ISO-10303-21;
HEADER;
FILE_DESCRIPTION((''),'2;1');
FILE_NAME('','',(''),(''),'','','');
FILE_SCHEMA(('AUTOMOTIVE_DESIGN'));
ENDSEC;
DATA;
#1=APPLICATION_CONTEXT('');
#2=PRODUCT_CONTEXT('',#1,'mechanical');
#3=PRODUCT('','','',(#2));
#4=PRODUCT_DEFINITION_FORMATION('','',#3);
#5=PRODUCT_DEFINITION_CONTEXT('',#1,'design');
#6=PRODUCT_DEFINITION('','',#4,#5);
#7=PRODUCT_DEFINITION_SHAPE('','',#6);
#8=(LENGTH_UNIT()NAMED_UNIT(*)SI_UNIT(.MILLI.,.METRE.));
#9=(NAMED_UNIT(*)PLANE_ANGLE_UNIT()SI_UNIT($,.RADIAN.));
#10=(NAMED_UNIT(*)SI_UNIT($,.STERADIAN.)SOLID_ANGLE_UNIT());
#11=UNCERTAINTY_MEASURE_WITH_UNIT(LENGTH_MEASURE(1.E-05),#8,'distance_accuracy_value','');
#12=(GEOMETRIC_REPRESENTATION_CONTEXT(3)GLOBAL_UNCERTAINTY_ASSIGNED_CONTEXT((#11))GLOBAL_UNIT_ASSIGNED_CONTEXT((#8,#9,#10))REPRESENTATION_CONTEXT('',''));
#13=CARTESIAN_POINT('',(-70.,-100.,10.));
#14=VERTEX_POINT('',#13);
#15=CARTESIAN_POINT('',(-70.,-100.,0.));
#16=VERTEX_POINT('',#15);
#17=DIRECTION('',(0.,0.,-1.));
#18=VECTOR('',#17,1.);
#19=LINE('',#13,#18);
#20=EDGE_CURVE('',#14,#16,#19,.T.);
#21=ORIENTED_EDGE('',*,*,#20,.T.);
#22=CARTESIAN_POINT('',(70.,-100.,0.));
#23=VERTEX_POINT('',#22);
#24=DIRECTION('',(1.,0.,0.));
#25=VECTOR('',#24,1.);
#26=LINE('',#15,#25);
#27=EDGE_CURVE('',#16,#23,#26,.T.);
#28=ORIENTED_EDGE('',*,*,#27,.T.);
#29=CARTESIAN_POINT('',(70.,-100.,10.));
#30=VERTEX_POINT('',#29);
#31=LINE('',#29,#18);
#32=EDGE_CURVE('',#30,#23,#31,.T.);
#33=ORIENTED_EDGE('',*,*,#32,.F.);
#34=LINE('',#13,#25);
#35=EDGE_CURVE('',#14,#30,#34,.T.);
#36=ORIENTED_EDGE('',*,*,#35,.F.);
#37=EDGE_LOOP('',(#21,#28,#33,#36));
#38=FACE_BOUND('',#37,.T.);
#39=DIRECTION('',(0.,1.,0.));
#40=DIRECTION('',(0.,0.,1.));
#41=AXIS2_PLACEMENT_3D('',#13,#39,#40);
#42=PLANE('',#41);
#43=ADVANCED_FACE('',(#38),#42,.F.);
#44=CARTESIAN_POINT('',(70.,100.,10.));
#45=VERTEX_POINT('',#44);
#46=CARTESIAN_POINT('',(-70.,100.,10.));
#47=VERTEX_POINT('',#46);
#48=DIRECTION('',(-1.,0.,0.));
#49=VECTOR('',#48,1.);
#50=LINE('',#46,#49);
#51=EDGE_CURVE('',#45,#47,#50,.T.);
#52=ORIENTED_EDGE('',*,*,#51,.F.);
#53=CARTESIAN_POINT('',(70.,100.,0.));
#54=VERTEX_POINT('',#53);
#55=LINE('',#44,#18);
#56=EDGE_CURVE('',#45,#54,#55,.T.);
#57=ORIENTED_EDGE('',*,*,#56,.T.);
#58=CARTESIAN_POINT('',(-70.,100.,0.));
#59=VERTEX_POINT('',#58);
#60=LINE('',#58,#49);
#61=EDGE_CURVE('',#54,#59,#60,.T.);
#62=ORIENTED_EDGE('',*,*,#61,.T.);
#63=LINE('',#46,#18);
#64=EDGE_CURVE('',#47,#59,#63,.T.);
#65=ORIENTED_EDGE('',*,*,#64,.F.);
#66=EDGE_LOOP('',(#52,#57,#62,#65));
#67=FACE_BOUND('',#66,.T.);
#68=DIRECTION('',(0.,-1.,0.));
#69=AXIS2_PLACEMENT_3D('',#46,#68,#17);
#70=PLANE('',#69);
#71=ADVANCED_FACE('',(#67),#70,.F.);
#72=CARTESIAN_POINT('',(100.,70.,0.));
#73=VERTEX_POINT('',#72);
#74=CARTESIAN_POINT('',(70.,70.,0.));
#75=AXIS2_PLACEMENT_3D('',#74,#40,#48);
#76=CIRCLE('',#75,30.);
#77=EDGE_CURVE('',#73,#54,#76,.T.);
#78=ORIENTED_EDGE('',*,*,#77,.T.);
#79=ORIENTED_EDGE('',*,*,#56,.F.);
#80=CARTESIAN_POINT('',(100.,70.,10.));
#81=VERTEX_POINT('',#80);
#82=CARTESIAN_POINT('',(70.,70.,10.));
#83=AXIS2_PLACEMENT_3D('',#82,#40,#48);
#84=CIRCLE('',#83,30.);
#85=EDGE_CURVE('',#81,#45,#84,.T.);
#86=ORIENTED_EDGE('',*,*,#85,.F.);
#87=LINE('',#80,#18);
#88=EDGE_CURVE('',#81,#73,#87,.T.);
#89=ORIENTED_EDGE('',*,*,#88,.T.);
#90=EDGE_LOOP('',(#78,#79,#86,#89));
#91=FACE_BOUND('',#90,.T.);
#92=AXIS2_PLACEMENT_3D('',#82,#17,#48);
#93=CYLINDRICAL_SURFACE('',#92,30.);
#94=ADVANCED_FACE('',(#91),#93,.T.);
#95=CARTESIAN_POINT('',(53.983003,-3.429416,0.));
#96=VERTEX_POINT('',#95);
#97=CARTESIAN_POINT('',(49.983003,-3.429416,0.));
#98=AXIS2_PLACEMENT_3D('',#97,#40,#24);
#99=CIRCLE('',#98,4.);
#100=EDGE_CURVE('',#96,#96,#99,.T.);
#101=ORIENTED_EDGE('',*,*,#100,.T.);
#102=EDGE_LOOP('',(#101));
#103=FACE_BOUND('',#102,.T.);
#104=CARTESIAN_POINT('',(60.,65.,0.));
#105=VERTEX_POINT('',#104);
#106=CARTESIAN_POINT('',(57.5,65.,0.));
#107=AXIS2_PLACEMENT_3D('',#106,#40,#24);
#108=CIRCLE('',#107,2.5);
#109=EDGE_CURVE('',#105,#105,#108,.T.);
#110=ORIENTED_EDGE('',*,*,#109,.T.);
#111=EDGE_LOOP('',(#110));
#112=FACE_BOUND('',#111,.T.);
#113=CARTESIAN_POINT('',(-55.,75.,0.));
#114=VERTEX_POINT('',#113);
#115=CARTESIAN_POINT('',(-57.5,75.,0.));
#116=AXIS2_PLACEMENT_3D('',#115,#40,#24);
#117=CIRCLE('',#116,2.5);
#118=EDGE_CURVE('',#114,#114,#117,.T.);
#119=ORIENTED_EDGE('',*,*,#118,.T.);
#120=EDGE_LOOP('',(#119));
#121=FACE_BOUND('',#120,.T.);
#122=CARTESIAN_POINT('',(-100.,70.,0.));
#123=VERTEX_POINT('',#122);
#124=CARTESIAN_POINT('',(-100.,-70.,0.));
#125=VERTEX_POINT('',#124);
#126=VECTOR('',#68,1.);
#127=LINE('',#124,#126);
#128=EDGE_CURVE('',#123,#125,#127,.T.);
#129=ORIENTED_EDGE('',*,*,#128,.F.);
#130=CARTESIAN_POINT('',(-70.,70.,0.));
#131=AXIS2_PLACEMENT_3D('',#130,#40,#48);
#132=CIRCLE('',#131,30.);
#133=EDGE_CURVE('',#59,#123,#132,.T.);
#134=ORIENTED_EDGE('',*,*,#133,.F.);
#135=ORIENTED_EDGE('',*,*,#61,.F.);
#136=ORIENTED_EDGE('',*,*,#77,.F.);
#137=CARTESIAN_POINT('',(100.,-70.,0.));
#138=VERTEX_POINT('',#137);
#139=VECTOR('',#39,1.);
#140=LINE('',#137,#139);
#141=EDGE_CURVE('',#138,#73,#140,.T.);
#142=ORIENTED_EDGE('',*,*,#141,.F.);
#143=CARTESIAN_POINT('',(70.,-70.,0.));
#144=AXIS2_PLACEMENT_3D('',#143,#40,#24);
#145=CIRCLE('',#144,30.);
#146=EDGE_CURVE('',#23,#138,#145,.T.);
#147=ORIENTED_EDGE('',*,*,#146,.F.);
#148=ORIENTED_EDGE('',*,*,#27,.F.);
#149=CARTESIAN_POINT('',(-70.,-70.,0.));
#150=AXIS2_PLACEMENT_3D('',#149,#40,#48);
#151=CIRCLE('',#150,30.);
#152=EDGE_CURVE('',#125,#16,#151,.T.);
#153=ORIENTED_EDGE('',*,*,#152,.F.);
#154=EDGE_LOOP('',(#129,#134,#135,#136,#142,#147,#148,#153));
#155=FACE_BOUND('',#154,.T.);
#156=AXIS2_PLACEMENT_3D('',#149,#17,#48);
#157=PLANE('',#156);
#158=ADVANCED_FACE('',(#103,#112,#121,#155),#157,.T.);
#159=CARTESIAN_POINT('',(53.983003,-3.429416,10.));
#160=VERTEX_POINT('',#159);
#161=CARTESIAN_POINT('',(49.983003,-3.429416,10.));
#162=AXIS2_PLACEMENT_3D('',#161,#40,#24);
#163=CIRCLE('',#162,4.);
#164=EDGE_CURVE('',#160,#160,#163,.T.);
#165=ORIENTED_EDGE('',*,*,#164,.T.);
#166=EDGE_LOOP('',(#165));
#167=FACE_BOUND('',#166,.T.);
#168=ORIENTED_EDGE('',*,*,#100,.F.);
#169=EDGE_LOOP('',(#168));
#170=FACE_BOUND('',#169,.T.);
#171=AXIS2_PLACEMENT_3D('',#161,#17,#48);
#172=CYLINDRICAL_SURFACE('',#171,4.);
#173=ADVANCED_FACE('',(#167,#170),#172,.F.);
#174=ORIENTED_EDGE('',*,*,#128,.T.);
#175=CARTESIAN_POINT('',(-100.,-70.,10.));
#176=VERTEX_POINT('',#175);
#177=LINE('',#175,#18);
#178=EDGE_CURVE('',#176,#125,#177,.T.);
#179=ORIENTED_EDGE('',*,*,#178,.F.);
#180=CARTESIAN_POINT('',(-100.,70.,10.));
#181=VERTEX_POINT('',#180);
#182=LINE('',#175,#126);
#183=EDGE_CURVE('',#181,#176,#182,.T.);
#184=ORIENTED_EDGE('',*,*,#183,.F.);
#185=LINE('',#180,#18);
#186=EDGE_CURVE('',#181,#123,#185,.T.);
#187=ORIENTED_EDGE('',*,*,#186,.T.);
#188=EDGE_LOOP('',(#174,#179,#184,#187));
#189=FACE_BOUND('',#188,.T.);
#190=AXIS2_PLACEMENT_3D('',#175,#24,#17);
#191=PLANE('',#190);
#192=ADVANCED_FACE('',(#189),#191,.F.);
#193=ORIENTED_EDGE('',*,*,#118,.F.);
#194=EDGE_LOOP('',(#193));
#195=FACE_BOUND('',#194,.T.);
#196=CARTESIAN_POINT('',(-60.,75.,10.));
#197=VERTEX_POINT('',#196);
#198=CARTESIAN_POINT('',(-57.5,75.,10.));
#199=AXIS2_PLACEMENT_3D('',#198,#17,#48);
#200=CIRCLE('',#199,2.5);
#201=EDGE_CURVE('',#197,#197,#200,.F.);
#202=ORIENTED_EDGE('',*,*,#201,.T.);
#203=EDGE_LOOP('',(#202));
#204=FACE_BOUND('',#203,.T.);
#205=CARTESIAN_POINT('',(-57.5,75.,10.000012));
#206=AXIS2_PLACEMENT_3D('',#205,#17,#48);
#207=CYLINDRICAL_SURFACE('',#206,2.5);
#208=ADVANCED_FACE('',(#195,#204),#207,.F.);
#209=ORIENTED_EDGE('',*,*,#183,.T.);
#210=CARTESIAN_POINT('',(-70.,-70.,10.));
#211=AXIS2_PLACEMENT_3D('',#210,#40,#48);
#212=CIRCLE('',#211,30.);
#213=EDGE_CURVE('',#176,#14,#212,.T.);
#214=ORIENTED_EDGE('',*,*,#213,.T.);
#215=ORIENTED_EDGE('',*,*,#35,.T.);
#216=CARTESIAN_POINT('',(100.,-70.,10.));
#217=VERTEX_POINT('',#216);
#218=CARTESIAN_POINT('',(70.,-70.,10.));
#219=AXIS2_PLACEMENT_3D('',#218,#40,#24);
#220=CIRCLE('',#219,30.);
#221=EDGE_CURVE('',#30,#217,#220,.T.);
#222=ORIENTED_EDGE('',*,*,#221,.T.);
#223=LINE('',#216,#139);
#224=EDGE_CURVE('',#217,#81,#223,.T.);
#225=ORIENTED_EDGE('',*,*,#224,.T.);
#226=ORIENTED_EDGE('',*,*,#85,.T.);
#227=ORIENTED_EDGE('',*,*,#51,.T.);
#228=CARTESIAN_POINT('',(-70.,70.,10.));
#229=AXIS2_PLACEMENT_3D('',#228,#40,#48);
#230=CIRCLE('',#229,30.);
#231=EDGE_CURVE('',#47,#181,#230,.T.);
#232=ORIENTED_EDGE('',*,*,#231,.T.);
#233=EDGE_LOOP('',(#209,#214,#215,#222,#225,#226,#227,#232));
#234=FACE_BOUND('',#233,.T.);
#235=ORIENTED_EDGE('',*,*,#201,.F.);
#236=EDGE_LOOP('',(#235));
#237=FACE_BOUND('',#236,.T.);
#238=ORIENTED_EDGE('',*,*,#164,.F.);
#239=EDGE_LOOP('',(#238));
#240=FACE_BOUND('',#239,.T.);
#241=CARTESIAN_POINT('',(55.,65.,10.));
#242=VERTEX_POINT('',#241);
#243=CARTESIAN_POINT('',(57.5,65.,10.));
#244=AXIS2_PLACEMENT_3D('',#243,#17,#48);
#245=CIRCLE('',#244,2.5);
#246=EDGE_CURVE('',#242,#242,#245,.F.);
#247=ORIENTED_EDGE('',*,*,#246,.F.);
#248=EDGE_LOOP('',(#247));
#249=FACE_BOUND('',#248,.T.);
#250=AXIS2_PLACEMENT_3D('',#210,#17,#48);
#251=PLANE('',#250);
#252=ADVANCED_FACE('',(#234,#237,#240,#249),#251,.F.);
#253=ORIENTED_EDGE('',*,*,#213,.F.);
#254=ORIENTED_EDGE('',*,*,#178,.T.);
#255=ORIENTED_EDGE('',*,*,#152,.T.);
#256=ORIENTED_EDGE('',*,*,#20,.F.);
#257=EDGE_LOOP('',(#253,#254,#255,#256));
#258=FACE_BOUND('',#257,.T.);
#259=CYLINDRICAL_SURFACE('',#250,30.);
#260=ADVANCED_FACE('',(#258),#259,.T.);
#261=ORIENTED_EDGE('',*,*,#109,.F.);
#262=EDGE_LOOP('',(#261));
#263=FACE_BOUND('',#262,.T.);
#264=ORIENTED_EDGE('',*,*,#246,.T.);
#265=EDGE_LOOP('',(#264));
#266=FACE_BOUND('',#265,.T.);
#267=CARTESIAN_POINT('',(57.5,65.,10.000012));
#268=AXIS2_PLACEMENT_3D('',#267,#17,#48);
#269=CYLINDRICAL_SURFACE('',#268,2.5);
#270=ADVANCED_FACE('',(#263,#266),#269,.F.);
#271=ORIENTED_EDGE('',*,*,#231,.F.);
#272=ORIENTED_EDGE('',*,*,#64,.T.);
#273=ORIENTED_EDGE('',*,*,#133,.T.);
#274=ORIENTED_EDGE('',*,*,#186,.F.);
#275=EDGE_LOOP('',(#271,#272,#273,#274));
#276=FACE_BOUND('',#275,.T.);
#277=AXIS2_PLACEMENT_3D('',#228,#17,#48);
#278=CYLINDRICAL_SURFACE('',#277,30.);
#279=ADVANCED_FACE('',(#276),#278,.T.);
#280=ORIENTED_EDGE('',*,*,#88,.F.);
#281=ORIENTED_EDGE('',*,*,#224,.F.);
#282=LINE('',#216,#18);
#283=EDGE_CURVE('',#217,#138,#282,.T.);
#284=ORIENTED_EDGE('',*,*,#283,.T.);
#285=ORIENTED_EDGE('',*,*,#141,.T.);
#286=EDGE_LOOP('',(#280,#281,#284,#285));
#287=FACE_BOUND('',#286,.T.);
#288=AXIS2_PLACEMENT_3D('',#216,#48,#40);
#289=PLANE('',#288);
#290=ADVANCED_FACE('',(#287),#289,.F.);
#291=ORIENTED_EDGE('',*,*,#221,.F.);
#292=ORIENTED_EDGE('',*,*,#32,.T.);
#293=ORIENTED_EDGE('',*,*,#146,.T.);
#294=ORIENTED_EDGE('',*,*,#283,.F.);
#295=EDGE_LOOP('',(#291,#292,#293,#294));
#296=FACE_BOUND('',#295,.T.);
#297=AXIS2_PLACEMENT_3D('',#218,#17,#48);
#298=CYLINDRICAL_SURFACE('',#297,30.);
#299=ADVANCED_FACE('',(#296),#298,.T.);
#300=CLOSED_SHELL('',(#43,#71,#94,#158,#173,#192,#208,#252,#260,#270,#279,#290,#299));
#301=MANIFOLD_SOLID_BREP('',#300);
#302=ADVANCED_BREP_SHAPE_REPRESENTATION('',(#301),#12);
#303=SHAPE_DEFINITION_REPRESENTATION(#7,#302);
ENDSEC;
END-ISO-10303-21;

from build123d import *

# Parameters (mm, degrees)
SKETCH1_R               = 4
BOSS_EXTRUDE1_DEPTH     = 10
SKETCH2_R               = 2.5
CUT_EXTRUDE1_DEPTH      = 1
CUT_EXTRUDE1_DEPTH_BACK = 10


with BuildPart() as part:
    # Sketch1 → Boss-Extrude1 (new body)
    with BuildSketch(Plane.XY):
        with BuildLine():
            Line((-70, -100), (70, -100))
            ThreePointArc((70, -100), (91.213203436, -91.213203436), (100, -70))
            Line((100, -70), (100, 70))
            ThreePointArc((100, 70), (91.213203436, 91.213203436), (70, 100))
            Line((70, 100), (-70, 100))
            ThreePointArc((-70, 100), (-91.213203436, 91.213203436), (-100, 70))
            Line((-100, 70), (-100, -70))
            ThreePointArc((-100, -70), (-91.213203436, -91.213203436), (-70, -100))
        make_face()
        with Locations((49.983002612, -3.429415932)):
            Circle(SKETCH1_R, mode=Mode.SUBTRACT)
    extrude(amount=BOSS_EXTRUDE1_DEPTH)

    # Sketch2 → Cut-Extrude1 (cut, two sides)
    with BuildSketch(Plane.XY.offset(10)) as cut_extrude1_sk:
        with Locations((-57.5, 75)):
            Circle(SKETCH2_R)
        with Locations((57.5, 65)):
            Circle(SKETCH2_R)
    extrude(amount=CUT_EXTRUDE1_DEPTH, mode=Mode.SUBTRACT)
    extrude(cut_extrude1_sk.sketch, amount=-CUT_EXTRUDE1_DEPTH_BACK, mode=Mode.SUBTRACT)


solid = part.part
